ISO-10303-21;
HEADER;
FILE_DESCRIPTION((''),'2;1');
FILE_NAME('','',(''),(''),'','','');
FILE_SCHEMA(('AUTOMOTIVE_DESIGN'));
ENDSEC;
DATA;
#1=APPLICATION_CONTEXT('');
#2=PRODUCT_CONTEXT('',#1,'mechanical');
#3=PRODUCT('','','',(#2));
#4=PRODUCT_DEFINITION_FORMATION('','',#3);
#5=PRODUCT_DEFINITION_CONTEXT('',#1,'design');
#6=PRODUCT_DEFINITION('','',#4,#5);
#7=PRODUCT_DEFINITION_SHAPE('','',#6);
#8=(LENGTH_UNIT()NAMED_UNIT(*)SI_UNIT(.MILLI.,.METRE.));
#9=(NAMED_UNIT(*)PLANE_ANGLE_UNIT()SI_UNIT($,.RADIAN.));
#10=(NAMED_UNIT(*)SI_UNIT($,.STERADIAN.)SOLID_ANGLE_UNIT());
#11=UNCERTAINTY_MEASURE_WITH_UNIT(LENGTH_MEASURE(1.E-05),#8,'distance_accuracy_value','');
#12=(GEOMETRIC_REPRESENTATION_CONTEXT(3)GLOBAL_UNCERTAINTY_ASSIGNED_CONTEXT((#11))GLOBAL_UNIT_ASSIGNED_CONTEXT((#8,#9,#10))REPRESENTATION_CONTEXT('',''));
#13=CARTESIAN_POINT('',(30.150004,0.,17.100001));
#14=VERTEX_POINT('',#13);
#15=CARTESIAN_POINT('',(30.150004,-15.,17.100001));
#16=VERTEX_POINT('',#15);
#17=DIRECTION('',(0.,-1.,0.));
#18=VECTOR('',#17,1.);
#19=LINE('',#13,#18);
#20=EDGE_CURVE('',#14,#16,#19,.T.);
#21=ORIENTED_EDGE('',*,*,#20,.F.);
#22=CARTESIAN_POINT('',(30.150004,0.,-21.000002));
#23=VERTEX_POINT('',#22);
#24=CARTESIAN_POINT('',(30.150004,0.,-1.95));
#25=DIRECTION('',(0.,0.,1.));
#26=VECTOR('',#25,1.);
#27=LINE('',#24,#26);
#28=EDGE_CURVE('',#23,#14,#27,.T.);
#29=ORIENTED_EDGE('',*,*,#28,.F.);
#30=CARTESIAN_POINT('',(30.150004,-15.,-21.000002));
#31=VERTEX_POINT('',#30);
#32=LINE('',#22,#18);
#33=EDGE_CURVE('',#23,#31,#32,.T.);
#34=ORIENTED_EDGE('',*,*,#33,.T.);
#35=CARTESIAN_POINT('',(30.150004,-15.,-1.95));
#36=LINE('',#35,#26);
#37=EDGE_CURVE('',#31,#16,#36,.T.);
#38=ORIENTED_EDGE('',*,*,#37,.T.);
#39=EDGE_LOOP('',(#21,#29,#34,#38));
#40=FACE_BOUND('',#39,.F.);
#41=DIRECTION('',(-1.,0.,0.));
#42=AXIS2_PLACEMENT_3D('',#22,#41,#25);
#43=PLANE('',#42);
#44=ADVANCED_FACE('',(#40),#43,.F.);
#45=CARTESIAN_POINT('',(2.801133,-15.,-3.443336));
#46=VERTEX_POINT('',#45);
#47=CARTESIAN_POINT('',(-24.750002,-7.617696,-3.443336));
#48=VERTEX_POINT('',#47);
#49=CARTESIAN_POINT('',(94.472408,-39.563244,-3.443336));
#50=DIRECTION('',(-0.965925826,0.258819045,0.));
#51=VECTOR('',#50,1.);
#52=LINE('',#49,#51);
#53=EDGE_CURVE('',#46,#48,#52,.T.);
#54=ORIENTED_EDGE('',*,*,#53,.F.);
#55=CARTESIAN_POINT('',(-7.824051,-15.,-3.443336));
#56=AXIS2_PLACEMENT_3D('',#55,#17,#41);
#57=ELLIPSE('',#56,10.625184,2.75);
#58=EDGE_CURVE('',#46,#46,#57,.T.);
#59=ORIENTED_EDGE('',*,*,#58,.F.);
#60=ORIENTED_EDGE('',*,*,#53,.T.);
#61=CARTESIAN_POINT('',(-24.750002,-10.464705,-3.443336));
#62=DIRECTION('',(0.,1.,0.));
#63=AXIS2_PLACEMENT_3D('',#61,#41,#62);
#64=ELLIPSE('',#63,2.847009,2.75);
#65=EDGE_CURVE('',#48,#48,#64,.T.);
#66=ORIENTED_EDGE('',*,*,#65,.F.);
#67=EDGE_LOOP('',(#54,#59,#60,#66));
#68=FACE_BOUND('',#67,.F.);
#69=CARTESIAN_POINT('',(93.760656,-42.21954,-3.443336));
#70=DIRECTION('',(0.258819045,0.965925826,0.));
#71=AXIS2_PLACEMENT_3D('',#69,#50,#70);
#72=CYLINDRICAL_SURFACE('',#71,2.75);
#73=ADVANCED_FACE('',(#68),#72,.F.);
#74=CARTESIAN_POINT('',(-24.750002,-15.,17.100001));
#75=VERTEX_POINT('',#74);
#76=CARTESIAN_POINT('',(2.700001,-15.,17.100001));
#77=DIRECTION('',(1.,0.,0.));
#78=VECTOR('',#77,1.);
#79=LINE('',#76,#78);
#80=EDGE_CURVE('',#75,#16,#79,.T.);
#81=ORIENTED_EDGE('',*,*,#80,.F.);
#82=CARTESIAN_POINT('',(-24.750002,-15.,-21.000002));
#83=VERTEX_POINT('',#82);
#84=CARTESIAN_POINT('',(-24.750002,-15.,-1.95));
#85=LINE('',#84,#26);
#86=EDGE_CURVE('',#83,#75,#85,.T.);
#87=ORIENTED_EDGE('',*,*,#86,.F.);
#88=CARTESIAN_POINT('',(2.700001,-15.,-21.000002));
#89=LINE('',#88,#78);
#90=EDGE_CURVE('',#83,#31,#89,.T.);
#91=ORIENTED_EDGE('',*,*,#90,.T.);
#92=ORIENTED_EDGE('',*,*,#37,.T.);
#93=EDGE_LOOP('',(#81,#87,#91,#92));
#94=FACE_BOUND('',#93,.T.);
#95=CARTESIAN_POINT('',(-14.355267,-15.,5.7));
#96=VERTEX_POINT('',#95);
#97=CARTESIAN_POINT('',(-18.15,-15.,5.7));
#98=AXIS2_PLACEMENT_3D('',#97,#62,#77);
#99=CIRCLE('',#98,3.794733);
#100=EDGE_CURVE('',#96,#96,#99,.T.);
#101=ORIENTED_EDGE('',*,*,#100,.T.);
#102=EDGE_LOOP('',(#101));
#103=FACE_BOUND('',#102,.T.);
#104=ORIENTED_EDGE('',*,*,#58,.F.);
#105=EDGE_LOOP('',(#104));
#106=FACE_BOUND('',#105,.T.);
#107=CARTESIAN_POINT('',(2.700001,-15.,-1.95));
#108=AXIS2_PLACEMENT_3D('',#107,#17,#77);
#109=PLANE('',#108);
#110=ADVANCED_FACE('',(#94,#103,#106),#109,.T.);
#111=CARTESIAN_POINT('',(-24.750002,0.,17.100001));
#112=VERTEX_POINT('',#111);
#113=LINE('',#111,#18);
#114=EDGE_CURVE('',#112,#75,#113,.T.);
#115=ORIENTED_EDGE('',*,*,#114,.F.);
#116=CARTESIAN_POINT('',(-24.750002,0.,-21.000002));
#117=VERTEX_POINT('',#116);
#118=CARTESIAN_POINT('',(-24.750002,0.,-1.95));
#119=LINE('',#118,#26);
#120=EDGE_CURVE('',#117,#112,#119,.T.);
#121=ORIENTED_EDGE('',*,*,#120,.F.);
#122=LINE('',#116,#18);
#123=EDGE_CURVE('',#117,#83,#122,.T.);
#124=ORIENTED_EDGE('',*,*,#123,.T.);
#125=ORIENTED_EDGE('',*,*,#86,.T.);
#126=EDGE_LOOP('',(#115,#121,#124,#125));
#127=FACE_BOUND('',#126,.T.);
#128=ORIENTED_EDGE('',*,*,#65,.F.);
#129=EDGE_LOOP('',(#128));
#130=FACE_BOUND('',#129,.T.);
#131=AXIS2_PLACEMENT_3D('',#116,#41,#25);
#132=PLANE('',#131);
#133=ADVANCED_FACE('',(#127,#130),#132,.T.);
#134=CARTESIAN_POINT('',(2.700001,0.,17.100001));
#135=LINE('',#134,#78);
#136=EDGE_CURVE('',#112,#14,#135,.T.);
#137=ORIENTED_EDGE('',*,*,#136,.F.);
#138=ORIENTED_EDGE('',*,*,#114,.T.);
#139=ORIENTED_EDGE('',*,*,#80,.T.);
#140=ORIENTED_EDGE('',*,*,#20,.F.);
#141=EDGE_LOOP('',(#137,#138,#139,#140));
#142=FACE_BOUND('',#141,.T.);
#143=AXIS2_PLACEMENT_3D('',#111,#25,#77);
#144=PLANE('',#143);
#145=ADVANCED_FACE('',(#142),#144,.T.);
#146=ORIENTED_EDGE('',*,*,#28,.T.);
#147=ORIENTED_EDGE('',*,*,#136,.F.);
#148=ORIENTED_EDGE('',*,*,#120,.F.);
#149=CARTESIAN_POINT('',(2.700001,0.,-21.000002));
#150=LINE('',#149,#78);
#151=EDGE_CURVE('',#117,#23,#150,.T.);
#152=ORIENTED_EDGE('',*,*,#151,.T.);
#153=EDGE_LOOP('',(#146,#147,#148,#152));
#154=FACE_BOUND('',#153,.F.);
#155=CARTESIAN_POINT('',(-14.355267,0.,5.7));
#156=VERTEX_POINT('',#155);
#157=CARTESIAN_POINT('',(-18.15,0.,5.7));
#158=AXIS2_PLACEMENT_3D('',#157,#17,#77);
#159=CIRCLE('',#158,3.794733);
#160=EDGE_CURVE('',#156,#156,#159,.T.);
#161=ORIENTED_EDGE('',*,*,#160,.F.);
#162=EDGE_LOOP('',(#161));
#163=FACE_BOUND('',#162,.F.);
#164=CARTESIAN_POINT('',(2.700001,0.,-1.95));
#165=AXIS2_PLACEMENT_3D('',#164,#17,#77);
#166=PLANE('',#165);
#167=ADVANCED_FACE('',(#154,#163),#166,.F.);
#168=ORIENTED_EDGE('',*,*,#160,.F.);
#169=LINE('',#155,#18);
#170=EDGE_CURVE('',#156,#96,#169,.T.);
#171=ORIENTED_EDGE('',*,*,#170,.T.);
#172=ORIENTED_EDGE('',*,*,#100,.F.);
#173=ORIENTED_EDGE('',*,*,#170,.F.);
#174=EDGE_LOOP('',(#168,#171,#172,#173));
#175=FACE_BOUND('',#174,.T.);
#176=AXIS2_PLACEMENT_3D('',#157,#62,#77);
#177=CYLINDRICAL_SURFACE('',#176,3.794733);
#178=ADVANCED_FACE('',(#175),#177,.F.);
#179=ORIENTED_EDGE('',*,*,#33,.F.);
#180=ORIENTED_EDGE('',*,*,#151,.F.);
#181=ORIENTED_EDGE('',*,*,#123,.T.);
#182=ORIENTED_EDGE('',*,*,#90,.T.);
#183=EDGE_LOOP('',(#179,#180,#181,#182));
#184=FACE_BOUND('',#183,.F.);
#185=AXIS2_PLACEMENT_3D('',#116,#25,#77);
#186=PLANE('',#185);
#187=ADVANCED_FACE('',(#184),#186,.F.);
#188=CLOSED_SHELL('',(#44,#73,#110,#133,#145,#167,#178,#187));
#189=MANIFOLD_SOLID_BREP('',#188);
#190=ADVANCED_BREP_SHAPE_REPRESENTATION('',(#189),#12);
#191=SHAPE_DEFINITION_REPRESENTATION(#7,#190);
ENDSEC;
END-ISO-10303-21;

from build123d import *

# Parameters (mm, degrees)
F0_W     = 54.9000054598
F0_H     = 38.1000023335
F1_DEPTH = 15
F4_D     = 5.5
F5_R     = 3.7947326362
F6_DEPTH = 25


with BuildPart() as f1:
    # F0 (on Front) → F1 (new body)
    with BuildSketch(Plane.XZ):
        with Locations((2.7000010014, -1.9500004128)):
            Rectangle(F0_W, F0_H)
    extrude(amount=F1_DEPTH)

    # F4 (through all)
    with Locations(Plane(origin=(31.8803364434, -8.5423104044, 0), x_dir=(-0.2588190451, -0.9659258263, 0), z_dir=(0.9659258263, -0.2588190451, 0))):
        with Locations((16.5139008313, 3.4433358815)):
            Hole(F4_D / 2)

    # F5 (on Front) → F6 (cut)
    with BuildSketch(Plane.XZ):
        with Locations((-18.1499999017, 5.7000000961)):
            Circle(F5_R)
    extrude(amount=F6_DEPTH, mode=Mode.SUBTRACT)


solid = f1.part
